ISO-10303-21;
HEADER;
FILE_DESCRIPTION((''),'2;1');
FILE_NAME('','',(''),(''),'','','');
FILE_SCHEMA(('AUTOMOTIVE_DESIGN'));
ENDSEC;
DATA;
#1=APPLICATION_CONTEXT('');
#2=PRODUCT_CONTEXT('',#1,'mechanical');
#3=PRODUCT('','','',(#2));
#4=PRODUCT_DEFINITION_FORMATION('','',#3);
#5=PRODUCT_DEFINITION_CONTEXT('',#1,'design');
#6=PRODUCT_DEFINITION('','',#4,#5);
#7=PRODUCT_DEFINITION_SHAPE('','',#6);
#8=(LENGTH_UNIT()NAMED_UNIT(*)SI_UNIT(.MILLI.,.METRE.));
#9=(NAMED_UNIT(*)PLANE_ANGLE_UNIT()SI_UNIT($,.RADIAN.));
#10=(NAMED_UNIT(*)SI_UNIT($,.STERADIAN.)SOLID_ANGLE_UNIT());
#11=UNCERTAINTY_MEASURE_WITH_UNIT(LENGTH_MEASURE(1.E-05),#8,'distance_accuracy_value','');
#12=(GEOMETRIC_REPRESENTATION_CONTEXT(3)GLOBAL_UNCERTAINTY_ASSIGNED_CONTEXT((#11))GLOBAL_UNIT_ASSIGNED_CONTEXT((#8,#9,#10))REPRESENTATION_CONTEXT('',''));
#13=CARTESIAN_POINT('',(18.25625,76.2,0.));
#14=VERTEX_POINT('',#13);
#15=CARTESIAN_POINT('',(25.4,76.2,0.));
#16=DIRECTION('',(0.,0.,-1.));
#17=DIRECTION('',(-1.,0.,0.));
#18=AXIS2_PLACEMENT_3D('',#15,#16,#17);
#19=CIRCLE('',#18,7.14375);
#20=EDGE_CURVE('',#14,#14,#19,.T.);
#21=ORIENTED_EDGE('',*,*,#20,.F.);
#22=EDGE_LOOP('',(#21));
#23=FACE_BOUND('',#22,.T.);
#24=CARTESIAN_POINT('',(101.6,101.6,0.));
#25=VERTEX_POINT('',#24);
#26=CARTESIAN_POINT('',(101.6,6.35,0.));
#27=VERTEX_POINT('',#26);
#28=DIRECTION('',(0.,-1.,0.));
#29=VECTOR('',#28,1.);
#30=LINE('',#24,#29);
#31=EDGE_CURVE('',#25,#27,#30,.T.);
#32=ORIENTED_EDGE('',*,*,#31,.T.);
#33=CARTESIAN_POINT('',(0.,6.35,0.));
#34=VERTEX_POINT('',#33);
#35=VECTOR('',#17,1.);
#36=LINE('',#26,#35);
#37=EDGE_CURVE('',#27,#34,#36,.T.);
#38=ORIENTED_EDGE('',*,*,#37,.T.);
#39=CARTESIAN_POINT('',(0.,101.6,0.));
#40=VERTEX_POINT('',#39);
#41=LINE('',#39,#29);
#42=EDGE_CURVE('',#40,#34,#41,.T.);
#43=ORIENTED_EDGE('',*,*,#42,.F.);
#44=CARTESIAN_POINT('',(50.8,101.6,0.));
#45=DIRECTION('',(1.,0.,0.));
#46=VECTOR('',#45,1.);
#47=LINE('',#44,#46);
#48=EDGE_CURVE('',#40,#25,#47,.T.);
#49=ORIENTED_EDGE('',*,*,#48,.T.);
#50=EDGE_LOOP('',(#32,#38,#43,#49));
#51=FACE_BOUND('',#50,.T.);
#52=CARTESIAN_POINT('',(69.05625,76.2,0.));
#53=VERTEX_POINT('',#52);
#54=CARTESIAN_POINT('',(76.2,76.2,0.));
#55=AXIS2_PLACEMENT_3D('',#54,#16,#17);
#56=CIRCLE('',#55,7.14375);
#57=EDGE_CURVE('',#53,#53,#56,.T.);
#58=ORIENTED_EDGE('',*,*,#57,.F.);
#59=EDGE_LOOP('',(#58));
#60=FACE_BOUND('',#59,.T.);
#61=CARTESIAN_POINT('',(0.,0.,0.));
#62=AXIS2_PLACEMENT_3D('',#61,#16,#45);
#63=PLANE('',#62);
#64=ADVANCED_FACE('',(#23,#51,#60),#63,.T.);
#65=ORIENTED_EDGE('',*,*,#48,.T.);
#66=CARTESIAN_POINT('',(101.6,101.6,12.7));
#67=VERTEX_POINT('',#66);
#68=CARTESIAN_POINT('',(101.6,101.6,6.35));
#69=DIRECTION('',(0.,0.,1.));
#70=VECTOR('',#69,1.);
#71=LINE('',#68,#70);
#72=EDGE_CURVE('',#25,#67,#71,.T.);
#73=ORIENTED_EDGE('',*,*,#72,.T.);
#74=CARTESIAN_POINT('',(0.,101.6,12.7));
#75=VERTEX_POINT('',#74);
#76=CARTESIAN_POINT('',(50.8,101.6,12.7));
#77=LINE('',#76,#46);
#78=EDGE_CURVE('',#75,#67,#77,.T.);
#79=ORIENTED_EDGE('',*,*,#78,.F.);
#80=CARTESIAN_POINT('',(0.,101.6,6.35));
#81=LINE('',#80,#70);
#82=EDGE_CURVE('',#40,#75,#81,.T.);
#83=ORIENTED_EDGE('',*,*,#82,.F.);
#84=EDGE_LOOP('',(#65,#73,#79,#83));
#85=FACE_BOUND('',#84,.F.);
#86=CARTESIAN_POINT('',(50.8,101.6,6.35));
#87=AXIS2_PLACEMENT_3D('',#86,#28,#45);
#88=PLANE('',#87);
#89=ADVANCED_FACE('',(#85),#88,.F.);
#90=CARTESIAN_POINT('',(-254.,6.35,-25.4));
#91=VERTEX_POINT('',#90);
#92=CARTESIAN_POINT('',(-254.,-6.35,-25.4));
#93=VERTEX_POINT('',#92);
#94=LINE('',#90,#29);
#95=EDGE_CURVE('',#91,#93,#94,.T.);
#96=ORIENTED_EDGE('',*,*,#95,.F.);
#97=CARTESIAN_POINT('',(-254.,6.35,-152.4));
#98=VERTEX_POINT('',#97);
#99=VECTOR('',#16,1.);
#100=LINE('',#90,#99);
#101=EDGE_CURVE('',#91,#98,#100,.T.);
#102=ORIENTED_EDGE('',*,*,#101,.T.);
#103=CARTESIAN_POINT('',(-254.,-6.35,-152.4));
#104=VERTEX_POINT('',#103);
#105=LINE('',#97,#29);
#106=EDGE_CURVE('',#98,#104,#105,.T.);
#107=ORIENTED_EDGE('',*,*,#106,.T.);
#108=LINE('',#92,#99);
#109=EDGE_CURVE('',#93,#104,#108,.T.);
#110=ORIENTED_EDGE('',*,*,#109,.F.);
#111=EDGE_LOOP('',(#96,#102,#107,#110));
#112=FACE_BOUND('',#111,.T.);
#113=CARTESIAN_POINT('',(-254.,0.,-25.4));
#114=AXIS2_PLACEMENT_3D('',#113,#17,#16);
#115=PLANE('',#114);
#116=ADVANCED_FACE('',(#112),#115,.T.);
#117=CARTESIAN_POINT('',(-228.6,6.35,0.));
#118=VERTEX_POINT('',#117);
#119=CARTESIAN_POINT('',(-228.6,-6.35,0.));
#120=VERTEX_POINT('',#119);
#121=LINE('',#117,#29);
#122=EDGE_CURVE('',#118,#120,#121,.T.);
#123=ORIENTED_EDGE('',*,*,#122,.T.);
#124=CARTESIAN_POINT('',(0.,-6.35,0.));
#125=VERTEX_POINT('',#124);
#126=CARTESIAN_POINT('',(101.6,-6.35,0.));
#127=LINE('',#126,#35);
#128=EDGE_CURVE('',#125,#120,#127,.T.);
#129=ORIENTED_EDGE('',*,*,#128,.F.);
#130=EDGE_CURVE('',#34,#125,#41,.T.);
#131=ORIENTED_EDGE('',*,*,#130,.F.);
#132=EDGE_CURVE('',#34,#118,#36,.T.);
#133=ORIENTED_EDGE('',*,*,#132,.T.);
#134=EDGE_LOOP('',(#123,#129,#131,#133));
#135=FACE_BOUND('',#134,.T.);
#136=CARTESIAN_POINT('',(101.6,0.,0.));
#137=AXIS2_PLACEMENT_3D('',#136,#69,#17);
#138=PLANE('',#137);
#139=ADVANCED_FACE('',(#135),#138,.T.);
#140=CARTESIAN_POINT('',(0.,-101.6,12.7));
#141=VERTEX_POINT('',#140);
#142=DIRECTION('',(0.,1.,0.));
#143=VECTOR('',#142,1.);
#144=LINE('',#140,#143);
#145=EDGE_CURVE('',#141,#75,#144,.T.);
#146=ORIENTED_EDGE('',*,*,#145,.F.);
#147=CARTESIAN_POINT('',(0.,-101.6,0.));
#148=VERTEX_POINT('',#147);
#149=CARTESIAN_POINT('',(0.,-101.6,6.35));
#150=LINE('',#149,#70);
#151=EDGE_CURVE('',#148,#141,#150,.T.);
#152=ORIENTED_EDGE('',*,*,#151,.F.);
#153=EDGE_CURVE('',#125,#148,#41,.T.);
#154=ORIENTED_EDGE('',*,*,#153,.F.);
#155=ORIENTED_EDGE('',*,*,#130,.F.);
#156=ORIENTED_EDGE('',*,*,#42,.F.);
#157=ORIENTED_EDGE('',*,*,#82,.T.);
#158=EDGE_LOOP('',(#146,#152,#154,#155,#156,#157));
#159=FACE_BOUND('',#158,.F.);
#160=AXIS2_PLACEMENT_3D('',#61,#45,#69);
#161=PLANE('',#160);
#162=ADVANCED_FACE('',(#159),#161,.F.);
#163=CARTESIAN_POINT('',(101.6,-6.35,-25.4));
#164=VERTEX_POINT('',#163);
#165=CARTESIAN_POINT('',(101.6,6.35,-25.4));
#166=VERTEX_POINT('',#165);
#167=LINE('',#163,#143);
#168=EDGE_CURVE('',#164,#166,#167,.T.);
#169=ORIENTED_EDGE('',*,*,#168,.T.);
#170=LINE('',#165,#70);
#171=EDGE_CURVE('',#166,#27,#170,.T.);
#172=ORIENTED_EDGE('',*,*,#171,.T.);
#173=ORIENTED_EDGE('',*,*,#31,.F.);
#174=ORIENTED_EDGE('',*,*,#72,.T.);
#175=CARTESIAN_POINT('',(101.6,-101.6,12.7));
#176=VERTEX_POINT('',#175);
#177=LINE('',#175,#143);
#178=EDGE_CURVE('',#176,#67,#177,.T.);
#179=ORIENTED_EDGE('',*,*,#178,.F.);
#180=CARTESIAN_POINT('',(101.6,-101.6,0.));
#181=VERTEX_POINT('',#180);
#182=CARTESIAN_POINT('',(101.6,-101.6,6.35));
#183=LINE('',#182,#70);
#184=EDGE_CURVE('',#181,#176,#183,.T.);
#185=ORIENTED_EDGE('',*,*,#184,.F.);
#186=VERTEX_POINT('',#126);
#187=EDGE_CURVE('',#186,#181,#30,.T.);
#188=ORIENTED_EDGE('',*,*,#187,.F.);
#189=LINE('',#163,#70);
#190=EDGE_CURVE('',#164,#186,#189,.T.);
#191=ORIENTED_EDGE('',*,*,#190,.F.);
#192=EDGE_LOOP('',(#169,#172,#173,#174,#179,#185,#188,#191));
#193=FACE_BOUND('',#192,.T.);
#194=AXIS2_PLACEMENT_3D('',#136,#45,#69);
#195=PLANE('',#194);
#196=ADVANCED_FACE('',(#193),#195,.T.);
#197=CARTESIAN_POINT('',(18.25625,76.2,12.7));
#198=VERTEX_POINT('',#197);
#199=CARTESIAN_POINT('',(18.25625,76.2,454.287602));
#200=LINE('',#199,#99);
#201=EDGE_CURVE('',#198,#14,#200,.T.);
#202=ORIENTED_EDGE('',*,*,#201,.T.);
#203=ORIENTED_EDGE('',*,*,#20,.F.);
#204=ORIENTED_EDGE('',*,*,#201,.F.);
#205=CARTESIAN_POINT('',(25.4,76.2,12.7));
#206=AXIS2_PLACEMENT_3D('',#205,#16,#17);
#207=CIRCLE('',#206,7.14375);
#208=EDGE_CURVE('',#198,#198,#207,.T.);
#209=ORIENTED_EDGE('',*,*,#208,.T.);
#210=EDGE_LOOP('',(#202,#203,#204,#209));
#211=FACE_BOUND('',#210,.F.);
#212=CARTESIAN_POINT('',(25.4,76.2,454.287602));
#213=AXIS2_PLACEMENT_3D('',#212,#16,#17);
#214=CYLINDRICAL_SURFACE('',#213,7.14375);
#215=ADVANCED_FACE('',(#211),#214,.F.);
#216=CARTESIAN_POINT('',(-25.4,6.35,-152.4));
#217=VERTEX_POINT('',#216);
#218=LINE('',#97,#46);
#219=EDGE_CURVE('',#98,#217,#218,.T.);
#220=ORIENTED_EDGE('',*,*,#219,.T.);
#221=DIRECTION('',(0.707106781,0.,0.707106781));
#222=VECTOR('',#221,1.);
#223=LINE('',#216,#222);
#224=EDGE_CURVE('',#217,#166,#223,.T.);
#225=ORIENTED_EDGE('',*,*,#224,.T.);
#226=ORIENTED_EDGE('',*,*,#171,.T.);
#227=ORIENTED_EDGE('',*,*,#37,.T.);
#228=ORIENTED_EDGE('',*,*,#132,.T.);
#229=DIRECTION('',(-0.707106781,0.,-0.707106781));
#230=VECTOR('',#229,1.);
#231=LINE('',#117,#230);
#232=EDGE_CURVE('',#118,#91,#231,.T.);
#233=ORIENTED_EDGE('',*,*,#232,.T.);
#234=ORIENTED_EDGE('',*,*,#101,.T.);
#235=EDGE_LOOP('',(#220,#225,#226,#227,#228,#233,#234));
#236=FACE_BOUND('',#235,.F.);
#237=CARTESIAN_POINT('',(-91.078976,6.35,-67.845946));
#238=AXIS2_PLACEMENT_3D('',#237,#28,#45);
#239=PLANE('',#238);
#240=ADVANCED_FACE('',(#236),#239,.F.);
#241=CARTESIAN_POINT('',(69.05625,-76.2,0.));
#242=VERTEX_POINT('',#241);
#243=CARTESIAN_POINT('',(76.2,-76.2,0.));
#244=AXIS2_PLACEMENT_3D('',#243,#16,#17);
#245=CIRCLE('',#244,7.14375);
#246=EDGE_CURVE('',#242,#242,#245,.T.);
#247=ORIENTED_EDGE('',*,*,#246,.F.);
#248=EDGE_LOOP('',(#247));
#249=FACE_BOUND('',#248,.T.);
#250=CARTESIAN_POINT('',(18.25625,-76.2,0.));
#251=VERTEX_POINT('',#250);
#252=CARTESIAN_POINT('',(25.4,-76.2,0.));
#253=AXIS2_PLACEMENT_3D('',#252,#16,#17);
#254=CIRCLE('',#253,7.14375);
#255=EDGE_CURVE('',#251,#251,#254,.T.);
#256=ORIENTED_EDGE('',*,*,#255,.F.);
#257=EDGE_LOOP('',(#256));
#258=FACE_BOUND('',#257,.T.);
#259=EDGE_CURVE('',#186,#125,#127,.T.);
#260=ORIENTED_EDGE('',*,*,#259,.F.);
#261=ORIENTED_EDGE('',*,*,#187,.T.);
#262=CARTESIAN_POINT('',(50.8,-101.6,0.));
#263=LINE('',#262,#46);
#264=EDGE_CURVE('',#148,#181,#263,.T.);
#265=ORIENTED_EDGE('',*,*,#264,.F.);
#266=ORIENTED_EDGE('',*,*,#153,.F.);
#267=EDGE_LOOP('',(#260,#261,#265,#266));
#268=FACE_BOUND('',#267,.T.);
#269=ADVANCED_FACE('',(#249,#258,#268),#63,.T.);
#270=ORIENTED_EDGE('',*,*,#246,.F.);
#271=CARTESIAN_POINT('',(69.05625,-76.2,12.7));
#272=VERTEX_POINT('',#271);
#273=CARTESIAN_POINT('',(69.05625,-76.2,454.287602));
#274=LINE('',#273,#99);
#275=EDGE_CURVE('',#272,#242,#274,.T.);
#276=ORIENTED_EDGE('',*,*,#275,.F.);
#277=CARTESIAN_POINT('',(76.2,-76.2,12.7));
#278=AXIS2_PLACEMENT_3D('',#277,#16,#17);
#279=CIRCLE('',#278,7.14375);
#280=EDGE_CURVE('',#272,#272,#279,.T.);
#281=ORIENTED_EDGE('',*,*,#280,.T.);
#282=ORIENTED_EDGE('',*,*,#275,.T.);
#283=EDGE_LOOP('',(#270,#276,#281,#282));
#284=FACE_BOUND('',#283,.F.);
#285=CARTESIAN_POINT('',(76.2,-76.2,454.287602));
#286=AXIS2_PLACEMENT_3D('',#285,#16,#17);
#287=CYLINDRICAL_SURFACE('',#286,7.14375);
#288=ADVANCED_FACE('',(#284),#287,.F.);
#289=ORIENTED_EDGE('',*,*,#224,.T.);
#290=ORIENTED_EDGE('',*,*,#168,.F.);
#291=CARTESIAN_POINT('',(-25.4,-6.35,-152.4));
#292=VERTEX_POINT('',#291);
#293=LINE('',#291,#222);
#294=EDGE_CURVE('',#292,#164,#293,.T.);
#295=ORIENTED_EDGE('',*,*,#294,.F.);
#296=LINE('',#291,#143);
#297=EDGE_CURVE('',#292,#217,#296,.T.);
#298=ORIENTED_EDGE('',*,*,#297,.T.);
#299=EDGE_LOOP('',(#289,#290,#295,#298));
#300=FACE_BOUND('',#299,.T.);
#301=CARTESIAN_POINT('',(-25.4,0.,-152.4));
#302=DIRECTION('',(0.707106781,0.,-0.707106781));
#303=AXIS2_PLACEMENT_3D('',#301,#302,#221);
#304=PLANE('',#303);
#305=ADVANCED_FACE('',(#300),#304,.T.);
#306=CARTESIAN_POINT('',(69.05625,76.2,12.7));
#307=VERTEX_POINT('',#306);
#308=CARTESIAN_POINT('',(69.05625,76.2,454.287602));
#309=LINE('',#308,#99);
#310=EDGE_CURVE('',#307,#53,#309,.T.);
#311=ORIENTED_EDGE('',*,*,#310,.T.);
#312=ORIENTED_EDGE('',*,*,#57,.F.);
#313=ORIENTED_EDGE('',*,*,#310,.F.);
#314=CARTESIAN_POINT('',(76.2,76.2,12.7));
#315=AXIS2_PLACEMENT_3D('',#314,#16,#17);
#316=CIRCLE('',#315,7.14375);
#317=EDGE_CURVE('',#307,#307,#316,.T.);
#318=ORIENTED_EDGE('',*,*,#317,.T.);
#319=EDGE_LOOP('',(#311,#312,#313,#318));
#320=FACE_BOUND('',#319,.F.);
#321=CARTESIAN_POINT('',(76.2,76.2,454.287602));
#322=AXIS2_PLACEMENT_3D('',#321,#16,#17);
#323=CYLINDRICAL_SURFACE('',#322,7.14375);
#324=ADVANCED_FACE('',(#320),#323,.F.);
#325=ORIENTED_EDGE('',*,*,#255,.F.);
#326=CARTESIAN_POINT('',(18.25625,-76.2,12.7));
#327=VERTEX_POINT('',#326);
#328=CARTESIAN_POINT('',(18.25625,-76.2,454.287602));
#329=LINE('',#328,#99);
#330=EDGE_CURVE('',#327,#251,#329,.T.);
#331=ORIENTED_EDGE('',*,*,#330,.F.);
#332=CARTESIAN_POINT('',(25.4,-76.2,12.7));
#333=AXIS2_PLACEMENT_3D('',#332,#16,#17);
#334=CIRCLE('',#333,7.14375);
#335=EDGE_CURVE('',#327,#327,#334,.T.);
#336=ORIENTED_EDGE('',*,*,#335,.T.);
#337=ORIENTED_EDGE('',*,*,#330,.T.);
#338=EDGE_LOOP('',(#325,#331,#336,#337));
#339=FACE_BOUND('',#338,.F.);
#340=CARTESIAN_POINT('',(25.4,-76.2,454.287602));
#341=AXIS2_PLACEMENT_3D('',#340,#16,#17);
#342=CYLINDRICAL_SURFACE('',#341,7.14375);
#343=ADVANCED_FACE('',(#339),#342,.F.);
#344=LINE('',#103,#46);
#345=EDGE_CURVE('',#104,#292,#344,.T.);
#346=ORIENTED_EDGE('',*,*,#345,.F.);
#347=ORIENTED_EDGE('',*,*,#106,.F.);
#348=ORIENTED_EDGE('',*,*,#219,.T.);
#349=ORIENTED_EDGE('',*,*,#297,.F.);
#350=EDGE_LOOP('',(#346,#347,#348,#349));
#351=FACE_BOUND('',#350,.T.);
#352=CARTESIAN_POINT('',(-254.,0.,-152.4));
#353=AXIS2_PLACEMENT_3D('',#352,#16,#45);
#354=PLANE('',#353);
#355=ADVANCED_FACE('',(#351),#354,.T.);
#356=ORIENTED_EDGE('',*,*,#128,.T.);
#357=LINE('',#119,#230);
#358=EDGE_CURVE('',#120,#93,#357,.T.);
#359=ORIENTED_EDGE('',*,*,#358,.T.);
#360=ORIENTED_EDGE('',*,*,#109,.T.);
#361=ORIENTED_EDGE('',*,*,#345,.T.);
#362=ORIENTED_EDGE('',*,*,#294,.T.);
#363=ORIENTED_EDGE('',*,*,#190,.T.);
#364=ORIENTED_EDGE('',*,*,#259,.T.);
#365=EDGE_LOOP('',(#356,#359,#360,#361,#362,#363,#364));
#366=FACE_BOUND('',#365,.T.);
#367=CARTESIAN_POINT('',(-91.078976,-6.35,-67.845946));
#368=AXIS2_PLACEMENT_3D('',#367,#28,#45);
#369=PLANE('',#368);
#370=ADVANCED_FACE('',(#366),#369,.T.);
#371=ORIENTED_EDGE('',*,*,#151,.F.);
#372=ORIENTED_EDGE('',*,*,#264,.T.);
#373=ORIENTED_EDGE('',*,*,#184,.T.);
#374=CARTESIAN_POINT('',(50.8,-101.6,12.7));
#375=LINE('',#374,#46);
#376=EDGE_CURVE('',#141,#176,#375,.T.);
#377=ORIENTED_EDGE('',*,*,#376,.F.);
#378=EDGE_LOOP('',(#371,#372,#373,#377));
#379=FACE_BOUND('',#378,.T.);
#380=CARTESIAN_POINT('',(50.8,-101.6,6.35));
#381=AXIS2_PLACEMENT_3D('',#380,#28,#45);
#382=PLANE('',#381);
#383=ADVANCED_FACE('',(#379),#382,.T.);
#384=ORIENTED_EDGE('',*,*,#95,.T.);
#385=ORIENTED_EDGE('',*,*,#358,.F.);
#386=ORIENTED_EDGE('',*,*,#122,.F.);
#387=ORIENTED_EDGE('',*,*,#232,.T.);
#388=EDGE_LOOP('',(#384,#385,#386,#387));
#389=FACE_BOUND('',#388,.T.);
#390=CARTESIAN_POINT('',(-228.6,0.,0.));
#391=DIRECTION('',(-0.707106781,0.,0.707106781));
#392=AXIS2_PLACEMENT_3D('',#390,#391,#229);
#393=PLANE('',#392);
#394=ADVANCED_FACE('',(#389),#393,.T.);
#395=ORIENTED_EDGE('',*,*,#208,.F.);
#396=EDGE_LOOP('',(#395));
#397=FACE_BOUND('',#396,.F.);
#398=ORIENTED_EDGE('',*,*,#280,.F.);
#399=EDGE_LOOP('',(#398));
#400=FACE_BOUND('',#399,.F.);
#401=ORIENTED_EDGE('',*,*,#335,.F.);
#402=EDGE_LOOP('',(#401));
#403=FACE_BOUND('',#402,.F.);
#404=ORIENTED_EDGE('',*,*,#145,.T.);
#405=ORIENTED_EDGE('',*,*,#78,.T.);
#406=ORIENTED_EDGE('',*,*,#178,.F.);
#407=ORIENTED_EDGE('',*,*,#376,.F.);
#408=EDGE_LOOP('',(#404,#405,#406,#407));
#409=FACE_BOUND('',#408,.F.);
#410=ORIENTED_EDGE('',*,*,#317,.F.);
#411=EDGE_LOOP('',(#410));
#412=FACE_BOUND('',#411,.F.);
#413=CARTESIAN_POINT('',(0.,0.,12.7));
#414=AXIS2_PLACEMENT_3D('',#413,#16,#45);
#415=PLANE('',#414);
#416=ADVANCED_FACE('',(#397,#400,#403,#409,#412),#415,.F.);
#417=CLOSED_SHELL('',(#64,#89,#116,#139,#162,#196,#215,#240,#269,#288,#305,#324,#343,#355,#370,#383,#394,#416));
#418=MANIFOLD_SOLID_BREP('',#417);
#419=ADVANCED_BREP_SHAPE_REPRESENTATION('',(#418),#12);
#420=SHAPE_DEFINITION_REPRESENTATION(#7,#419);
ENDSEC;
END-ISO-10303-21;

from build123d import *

# Parameters (mm, degrees)
F1_DEPTH = 6.35
F0_W     = 101.6
F0_H     = 12.7
F2_DEPTH = 101.6
F4_D     = 14.2875


with BuildPart() as f1:
    # F0 (on Front) → F1 (new body, symmetric)
    with BuildSketch(Plane.XZ):
        Polygon((101.6, 0), (0, 0), (-228.6, 0), (-254, -25.4), (-254, -152.4), (-25.4, -152.4), (101.6, -25.4), align=None)
    extrude(amount=F1_DEPTH, both=True)

    # F0 (on Front) → F2 (join, symmetric)
    with BuildSketch(Plane.XZ):
        with Locations((50.8, 6.35)):
            Rectangle(F0_W, F0_H)
    extrude(amount=F2_DEPTH, both=True)

    # F4 (through all)
    with Locations(Plane.XY.offset(12.7)):
        with Locations((25.4, 76.2), (76.2, 76.2), (76.2, -76.2), (25.4, -76.2)):
            Hole(F4_D / 2)


solid = f1.part
